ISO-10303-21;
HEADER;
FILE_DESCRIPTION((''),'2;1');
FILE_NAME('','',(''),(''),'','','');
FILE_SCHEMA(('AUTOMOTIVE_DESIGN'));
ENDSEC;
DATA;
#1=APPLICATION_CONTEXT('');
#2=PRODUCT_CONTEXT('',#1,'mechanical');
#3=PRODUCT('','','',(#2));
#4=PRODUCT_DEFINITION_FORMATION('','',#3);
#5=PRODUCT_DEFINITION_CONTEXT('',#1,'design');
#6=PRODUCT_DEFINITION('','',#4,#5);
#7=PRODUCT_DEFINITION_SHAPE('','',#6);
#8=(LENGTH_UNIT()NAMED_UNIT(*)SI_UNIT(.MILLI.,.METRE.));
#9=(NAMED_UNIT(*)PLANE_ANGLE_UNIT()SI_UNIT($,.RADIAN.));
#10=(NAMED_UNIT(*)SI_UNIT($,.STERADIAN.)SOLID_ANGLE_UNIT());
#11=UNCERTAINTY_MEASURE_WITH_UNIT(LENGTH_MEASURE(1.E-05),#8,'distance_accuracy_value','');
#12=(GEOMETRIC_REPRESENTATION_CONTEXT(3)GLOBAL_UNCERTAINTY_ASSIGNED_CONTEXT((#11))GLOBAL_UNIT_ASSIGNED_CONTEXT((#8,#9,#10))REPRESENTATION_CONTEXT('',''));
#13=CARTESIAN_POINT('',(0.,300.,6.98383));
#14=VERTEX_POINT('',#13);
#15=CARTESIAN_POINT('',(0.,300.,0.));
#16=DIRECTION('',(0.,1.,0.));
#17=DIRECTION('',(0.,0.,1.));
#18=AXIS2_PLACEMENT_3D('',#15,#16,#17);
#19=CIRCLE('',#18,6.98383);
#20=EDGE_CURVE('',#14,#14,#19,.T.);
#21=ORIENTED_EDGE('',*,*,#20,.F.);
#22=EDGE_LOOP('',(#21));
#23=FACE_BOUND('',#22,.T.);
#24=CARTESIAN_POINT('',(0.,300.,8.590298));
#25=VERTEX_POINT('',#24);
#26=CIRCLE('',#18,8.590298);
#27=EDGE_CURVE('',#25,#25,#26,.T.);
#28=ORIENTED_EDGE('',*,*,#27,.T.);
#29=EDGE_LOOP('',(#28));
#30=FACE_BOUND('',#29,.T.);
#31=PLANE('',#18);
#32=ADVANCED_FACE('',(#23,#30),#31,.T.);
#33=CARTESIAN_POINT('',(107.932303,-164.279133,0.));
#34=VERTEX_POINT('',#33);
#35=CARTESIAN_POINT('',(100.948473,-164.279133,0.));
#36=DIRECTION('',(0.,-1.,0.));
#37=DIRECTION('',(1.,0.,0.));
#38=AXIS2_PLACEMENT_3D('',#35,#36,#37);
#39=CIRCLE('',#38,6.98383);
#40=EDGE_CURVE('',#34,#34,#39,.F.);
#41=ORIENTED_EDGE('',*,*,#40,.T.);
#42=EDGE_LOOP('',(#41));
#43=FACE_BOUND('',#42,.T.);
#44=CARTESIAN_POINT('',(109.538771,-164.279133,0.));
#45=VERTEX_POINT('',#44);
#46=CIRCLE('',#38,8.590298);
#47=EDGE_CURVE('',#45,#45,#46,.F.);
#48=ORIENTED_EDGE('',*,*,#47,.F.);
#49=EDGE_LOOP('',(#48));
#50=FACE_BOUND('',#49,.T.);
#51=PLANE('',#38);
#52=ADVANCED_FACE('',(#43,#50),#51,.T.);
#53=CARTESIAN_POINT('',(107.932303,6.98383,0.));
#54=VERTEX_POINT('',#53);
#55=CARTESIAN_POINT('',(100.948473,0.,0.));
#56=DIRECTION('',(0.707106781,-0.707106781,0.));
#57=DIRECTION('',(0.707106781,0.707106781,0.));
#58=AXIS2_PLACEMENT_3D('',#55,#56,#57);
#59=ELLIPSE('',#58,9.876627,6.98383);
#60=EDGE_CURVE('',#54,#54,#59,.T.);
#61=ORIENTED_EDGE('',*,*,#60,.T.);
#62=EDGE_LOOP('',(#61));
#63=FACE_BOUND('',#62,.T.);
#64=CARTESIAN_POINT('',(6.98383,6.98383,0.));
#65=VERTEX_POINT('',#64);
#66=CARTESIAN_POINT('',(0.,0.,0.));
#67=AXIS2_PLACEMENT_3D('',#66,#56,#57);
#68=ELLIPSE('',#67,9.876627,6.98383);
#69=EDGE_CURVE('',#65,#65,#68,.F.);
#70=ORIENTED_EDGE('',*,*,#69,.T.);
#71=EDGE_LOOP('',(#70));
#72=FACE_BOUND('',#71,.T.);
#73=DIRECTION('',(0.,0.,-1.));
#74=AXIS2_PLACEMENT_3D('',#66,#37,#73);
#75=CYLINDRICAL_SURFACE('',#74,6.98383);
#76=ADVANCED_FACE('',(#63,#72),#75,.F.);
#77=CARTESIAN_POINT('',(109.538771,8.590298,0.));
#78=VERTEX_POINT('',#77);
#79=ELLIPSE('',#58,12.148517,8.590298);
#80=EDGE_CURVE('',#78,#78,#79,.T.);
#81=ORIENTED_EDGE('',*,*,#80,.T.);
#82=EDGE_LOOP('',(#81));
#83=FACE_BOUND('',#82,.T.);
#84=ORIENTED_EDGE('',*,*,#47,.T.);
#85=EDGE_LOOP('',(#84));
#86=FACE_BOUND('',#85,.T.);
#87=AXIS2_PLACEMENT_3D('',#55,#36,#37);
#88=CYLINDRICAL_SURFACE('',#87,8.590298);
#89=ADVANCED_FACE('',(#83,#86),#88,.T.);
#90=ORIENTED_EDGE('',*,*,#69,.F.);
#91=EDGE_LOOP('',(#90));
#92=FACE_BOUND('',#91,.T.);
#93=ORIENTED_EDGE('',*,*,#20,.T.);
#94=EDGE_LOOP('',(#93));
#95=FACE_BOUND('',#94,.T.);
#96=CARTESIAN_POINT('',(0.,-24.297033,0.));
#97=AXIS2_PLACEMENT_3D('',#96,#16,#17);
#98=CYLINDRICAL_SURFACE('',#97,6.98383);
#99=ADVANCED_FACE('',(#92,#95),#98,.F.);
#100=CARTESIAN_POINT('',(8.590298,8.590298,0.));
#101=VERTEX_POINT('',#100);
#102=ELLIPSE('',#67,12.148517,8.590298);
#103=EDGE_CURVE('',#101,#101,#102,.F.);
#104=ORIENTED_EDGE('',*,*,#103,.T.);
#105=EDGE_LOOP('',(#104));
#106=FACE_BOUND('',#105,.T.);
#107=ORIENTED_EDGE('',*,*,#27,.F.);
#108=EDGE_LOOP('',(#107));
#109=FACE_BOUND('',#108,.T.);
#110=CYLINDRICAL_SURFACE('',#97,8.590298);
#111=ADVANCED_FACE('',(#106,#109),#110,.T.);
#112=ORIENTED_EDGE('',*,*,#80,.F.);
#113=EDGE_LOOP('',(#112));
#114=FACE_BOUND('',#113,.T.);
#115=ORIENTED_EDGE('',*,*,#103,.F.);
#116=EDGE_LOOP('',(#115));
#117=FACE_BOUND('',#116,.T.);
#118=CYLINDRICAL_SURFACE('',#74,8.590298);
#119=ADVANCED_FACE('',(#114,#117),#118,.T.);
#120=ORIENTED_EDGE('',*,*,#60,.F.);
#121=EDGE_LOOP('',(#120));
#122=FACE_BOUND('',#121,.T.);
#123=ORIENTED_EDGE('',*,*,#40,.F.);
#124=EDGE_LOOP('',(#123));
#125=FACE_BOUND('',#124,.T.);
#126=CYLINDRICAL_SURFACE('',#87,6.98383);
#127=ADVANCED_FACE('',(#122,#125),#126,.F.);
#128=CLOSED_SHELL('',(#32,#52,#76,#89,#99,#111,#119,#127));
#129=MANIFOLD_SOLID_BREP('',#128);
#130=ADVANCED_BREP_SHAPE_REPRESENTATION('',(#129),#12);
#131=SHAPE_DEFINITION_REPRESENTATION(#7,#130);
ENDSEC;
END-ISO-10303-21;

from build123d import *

# Parameters (mm, degrees)
SKETCH2_R   = 8.590298432
SKETCH2_R_2 = 6.98382971


with BuildPart() as part:
    # Sweep1: sweep along a path in Sketch1
    with BuildLine(Plane.XY) as sweep1_path:
        Line((0, 300), (0, 0))
        Line((0, 0), (100.948472845, 0))
        Line((100.948472845, 0), (100.948472845, -164.279132507))
    # Sketch2 → Sweep1 (sweep)
    with BuildSketch(Plane(origin=(0, 300, 0), x_dir=(1, 0, 0), z_dir=(0, 1, 0))):
        Circle(SKETCH2_R)
        Circle(SKETCH2_R_2, mode=Mode.SUBTRACT)
    sweep(path=sweep1_path.line, transition=Transition.RIGHT)


solid = part.part
